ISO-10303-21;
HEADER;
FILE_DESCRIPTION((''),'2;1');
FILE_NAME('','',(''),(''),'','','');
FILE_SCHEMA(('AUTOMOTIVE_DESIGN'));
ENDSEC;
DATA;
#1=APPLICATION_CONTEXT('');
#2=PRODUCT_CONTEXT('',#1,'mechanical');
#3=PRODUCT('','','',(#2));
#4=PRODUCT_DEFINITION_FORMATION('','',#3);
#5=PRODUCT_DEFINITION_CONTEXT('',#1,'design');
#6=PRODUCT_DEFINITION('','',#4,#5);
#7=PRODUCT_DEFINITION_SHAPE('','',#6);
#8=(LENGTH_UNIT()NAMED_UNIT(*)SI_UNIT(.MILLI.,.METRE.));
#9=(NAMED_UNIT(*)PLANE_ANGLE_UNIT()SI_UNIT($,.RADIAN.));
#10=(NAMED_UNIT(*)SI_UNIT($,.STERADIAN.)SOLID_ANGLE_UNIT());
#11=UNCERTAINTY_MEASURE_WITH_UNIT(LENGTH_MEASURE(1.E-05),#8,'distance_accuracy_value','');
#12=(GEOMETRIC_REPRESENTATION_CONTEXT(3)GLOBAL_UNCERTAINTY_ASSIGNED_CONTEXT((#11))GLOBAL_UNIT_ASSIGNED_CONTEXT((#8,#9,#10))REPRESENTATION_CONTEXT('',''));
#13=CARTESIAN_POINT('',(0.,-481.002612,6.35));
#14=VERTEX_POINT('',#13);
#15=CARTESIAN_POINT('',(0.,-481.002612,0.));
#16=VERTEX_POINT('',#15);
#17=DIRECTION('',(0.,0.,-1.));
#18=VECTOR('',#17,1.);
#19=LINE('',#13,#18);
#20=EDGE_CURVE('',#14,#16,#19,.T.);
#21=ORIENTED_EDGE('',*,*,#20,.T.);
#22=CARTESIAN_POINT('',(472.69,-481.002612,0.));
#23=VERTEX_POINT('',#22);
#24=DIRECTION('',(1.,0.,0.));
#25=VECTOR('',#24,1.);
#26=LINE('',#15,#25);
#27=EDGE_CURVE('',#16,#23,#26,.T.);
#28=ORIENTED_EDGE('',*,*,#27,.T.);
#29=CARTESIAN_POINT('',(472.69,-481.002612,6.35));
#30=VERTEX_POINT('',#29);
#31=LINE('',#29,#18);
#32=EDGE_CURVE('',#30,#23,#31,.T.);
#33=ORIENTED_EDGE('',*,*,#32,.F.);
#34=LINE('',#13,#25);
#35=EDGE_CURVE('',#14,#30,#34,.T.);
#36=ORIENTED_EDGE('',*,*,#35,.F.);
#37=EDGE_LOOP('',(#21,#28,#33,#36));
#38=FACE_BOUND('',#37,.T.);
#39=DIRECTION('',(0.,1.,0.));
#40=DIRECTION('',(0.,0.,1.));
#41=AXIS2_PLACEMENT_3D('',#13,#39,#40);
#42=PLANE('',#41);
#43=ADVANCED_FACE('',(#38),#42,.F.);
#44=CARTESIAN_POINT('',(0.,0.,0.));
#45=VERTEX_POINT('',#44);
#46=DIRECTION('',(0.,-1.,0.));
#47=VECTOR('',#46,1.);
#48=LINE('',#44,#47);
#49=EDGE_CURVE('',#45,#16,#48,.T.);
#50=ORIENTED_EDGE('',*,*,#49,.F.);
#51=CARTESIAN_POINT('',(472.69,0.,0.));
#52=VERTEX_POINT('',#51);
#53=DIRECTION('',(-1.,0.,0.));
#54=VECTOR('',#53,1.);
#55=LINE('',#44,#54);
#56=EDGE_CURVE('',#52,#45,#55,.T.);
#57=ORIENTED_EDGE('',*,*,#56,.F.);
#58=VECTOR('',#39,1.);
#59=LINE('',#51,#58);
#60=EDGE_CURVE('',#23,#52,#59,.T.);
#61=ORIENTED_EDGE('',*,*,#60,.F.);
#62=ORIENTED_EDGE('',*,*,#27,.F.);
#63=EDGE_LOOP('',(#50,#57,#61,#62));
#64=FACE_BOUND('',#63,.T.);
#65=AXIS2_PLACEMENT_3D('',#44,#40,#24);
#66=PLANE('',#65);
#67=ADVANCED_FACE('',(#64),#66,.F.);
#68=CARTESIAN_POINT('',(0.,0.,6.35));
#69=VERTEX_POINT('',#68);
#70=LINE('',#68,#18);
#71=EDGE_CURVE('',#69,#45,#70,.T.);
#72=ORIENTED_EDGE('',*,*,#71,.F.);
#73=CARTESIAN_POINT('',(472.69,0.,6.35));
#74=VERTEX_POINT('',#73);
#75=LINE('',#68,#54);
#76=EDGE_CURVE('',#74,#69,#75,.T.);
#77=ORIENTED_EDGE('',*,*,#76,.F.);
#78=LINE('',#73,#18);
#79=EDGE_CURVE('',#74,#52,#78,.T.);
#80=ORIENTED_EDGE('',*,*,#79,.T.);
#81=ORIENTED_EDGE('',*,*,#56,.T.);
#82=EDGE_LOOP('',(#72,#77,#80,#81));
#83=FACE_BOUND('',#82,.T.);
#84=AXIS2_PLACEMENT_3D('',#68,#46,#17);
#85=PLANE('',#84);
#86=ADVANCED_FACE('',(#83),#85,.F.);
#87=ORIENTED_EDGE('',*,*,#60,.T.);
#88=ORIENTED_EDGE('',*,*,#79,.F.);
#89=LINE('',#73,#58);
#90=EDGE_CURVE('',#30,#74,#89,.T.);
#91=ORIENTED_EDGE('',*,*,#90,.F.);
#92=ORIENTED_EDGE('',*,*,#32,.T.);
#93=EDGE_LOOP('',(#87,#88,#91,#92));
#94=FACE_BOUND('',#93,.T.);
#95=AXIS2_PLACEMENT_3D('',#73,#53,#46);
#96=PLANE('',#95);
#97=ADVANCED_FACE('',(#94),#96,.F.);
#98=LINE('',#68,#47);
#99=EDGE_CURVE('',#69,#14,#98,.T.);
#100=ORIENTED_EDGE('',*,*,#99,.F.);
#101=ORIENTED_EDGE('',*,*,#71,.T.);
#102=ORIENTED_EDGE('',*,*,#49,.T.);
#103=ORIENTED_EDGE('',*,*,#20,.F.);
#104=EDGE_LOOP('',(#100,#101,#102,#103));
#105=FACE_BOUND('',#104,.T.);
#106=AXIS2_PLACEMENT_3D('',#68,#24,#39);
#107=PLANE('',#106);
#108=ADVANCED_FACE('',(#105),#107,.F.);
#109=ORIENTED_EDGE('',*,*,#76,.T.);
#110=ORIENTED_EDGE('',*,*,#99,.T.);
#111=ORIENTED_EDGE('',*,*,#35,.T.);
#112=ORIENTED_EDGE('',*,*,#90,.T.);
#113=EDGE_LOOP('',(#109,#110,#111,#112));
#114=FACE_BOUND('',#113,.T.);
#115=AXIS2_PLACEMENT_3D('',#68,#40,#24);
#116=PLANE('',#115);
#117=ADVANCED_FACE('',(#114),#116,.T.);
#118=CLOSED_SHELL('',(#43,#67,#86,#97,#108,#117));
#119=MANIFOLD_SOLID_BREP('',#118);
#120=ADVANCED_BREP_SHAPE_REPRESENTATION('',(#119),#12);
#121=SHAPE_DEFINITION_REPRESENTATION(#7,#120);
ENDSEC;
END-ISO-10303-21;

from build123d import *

# Parameters (mm, degrees)
SKETCH1_W           = 472.69
SKETCH1_H           = 481.00261168
BOSS_EXTRUDE1_DEPTH = 6.35


with BuildPart() as part:
    # Sketch1 → Boss-Extrude1 (new body)
    with BuildSketch(Plane.XY):
        with Locations((236.345, -240.50130584)):
            Rectangle(SKETCH1_W, SKETCH1_H)
    extrude(amount=BOSS_EXTRUDE1_DEPTH)


solid = part.part
